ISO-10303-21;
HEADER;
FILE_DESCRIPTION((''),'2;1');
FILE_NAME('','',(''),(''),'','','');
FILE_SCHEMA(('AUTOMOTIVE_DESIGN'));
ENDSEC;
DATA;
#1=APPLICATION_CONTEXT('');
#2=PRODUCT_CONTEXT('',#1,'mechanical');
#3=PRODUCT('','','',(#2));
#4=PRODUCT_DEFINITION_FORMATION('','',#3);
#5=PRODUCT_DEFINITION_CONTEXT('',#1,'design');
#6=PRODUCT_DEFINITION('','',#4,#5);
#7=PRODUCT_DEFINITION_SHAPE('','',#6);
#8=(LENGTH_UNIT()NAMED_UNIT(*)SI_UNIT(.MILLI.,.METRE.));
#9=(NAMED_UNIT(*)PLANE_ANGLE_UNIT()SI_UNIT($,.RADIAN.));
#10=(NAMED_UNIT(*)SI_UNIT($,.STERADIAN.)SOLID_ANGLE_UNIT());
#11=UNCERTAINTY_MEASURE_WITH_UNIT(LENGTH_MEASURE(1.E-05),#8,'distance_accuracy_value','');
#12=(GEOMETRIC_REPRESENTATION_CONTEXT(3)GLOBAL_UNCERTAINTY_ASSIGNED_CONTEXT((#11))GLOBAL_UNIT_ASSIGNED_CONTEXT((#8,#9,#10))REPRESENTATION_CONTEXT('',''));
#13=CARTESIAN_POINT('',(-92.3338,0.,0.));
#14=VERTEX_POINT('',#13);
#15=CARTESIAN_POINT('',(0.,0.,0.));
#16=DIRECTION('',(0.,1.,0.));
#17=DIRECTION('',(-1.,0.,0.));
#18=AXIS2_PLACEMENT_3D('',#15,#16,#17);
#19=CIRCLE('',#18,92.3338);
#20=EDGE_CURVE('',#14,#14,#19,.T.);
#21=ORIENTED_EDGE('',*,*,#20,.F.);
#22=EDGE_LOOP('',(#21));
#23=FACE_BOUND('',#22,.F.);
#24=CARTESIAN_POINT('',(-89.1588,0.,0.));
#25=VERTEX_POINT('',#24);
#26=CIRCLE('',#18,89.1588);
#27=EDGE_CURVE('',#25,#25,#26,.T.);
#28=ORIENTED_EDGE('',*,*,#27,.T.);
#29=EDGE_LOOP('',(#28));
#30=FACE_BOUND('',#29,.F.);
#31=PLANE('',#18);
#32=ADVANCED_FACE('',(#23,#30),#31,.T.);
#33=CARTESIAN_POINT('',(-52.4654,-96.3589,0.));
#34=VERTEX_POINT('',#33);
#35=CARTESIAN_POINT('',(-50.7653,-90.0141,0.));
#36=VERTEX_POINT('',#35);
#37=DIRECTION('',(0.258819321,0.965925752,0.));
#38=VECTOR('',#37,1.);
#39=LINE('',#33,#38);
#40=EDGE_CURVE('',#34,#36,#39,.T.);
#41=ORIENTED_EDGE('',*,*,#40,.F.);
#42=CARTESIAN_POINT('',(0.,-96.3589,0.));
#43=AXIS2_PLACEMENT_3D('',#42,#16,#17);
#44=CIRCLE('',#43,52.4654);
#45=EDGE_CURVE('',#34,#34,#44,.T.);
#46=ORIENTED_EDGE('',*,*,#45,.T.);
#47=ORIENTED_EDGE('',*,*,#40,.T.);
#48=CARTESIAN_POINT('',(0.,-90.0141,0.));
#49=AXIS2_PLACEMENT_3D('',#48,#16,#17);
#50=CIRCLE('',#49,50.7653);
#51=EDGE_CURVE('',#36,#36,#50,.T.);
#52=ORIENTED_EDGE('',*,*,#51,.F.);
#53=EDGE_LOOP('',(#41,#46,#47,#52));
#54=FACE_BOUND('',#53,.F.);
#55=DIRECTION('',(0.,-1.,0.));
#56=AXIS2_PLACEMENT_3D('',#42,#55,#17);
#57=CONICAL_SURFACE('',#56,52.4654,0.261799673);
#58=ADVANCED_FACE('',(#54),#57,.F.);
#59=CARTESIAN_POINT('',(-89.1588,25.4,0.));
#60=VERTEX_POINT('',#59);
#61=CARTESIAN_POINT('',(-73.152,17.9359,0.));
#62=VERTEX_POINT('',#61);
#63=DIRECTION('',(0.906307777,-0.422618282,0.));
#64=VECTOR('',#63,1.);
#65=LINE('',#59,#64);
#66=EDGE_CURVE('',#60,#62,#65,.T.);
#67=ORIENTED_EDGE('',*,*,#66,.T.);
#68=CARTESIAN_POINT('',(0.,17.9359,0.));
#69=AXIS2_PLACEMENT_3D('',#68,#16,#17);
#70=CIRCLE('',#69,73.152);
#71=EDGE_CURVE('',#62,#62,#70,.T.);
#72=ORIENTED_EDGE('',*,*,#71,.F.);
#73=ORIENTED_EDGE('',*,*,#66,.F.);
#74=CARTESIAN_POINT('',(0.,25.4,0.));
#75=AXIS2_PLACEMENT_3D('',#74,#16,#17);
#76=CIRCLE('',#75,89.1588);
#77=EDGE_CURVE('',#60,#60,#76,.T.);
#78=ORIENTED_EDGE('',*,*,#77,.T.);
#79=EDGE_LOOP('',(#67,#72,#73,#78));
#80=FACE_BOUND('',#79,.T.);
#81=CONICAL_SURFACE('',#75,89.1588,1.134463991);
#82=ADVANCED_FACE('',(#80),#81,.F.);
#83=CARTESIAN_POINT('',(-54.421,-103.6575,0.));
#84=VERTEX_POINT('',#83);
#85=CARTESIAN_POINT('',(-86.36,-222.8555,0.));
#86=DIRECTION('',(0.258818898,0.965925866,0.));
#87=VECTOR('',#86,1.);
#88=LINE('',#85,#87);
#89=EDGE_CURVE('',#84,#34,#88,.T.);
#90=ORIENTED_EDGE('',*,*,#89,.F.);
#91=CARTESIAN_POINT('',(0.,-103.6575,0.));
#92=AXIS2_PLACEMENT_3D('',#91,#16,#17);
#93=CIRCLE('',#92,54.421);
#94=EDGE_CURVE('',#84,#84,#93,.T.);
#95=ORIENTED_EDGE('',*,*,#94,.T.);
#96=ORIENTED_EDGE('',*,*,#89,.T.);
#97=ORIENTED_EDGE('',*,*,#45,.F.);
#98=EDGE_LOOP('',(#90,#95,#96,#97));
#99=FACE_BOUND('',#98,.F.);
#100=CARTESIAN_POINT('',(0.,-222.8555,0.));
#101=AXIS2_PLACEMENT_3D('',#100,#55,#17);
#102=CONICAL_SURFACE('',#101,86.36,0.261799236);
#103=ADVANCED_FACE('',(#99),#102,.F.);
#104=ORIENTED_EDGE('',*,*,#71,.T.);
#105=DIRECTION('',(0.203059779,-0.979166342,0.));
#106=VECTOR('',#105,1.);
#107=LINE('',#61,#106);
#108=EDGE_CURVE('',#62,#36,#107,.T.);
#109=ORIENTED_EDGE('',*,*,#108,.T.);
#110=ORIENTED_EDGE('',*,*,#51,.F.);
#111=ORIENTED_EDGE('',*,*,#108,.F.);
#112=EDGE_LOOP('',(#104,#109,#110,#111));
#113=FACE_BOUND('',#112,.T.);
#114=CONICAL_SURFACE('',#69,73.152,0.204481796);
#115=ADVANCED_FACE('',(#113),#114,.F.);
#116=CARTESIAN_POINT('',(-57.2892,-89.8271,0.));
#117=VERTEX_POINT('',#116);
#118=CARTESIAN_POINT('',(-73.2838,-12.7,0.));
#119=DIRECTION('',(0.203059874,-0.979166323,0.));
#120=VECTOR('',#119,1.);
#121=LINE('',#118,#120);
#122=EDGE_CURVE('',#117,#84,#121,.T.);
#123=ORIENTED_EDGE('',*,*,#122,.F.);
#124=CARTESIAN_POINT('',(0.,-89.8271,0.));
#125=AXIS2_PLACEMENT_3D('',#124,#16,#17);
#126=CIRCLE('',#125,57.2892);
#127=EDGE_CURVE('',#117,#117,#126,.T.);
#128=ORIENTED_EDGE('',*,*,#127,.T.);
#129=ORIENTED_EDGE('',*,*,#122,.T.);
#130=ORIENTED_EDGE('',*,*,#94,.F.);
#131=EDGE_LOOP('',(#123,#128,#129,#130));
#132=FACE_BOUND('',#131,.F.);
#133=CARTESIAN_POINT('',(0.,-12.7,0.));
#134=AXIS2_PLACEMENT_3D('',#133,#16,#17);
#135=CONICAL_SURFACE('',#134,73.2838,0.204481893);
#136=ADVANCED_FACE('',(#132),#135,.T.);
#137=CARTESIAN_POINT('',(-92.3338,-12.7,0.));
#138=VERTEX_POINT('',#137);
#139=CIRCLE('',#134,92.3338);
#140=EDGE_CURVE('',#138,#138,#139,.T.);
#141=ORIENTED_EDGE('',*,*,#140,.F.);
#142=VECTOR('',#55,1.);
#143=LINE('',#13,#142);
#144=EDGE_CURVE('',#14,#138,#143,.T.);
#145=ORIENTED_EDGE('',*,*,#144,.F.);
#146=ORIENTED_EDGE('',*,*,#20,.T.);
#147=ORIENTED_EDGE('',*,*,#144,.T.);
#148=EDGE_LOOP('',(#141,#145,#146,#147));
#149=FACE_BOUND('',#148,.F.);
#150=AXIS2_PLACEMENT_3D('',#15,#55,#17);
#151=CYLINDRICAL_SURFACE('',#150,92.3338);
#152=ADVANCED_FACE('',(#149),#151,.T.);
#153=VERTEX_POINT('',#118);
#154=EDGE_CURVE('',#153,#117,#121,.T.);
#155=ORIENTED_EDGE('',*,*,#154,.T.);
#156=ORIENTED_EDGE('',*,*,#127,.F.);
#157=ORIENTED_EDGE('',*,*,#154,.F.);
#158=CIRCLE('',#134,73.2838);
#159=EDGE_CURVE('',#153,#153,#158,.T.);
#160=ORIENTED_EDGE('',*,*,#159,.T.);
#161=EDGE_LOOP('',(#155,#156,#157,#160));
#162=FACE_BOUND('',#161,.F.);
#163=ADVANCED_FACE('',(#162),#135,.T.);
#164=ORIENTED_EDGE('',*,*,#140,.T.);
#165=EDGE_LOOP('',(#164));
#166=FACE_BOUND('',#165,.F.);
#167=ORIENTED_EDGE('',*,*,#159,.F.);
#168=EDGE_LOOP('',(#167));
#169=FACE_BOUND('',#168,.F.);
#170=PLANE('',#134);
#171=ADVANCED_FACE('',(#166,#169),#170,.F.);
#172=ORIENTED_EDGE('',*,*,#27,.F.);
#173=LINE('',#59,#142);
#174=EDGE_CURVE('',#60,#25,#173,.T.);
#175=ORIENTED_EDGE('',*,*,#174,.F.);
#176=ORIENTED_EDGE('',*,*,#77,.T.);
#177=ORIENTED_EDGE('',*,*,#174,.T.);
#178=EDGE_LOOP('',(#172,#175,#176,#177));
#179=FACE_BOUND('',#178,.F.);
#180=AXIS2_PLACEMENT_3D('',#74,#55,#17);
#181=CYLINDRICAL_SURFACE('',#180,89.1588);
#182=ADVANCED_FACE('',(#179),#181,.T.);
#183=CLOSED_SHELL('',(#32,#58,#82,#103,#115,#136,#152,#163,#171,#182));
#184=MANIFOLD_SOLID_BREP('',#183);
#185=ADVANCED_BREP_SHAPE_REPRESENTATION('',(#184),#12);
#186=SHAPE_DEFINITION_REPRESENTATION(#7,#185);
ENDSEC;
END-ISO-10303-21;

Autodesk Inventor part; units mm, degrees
ref_plane "YZ Plane" through (0, 0, 0) normal (1, 0, 0) x (0, 1, 0)
ref_plane "XZ Plane" through (0, 0, 0) normal (0, 1, 0) x (-1, 0, 0)
ref_plane "XY Plane" through (0, 0, 0) normal (0, 0, 1) x (1, 0, 0)
sketch "Sketch1" plane through (0, 0, 0) normal (0, 0, 1) x (1, 0, 0)
  line L0 (0, 25.4) -> (-28.702, 25.4) construction
  line L1 (0, 25.4) -> (-95.25, 25.4) construction
  line L2 (-95.25, 25.4) -> (-89.1588, 25.4) construction
  line L3 (-89.1588, 25.4) -> (-85.693, 23.7839) construction
  line L4 (-89.1588, 25.4) -> (-89.1588, 21.1626) construction
  line L5 (-89.1588, 0) -> (-95.25, 0)
  line L6 (-28.702, 59.6457) -> (-28.702, -91.9304) construction
  arc A0 (-28.9184, -8.4804) -> (-32.3684, -1.0818) centre (-35.052, -6.8369) ccw
  line L7 (-89.1588, 25.4) -> (-89.1588, 0)
  line L8 (-89.1588, 25.4) -> (-32.3684, -1.0818)
  line L9 (-28.9184, -8.4804) -> (-28.9392, -8.5583)
  line L10 (0, -319.0244) -> (0, 122.7573) projected
  line L11 (-73.152, 17.9359) -> (-28.702, 17.9359) construction
  line L12 (-89.1588, 0) -> (-92.3338, 0)
  line L13 (11.4547, -6.8369) -> (-136.2084, -6.8369) construction
  line L14 (-57.2892, -89.8271) -> (-86.36, -198.3209)
  line L15 (-92.3338, -12.7) -> (-73.2838, -12.7)
  line L16 (-73.2838, -12.7) -> (-54.421, -103.6575)
  line L17 (-92.71, -222.8555) -> (-86.36, -222.8555)
  line L18 (-86.36, -198.3209) -> (-79.786, -198.3209)
  line L19 (-92.71, -172.9504) -> (-71.7053, -94.5599)
  line L20 (-92.3338, -25.4) -> (-79.6338, -25.4)
  line L21 (-79.6338, -25.4) -> (-79.6338, -57.15)
  line L22 (-79.6338, -57.15) -> (-71.7053, -94.5599)
  line L23 (-92.3338, 0) -> (-92.3338, -25.4)
  line L24 (-92.71, -172.9504) -> (-92.71, -222.8555)
  line L25 (-86.3902, -25.4) -> (-86.3902, -31.3436)
  line L26 (-86.3902, -31.3436) -> (-92.3338, -31.3436)
  line L27 (-92.3338, -31.3436) -> (-92.3338, -56.7436)
  line L28 (-92.3338, -56.7436) -> (-79.6338, -56.7436)
  line L29 (-73.152, 17.9359) -> (-32.3684, -1.0818)
  line L30 (-73.152, 17.9359) -> (-50.7653, -90.0141)
  line L31 (-50.7653, -90.0141) -> (-28.9184, -8.4804)
  line L32 (-52.4654, -96.3589) -> (-28.9184, -8.4804)
  line L33 (-86.36, -222.8555) -> (-28.9184, -8.4804)
  line L34 (-92.3338, -12.7) -> (-92.3338, 0)
  line L35 (-89.1588, 0) -> (-89.1588, 25.4)
  line L36 (-73.152, 17.9359) -> (-89.1588, 25.4)
  line L37 (-54.421, -103.6575) -> (-50.7653, -90.0141)
  point P0 (0, 0)
  point P1 (-95.25, -255.9127)
  point P2 (-88.7095, 22.4389)
  dimension "d0" = 28.702
  dimension "d3" = 25
  dimension "d5" = 25.4
  dimension "d6" = 25.4
  dimension "d8" = 12.7
  dimension "d34" = 15
  dimension "d37" = 44.45
  dimension "d46" = 19.05
  dimension "d47" = 12.7
  dimension "d50" = 86.36
  dimension "d53" = 12.7
  dimension "d55" = 12.7
  dimension "d56" = 31.75
  dimension "d58" = 0.25
  dimension "d60" = 12.7
  dimension "d61" = 25.4
  dimension "d62" = 5.9436
  dimension "d63" = 5.9436
  dimension "d64" = 3.175
  dimension "d65" = 6.35
  dimension "d67" = 6.35
  dimension "d68" = 107.95
  dimension "d69" = 6.35
  dimension "d70" = 6.35
revolve "Revolution2" add sketch "Sketch1" angle 360 about axis through (0, -10, 0) along (0, 1, 0) contours L7 L8 L30 L32 L33 L16 L15 L23 L5
properties part number "phenolic_top" material "Phenolic Resin"
